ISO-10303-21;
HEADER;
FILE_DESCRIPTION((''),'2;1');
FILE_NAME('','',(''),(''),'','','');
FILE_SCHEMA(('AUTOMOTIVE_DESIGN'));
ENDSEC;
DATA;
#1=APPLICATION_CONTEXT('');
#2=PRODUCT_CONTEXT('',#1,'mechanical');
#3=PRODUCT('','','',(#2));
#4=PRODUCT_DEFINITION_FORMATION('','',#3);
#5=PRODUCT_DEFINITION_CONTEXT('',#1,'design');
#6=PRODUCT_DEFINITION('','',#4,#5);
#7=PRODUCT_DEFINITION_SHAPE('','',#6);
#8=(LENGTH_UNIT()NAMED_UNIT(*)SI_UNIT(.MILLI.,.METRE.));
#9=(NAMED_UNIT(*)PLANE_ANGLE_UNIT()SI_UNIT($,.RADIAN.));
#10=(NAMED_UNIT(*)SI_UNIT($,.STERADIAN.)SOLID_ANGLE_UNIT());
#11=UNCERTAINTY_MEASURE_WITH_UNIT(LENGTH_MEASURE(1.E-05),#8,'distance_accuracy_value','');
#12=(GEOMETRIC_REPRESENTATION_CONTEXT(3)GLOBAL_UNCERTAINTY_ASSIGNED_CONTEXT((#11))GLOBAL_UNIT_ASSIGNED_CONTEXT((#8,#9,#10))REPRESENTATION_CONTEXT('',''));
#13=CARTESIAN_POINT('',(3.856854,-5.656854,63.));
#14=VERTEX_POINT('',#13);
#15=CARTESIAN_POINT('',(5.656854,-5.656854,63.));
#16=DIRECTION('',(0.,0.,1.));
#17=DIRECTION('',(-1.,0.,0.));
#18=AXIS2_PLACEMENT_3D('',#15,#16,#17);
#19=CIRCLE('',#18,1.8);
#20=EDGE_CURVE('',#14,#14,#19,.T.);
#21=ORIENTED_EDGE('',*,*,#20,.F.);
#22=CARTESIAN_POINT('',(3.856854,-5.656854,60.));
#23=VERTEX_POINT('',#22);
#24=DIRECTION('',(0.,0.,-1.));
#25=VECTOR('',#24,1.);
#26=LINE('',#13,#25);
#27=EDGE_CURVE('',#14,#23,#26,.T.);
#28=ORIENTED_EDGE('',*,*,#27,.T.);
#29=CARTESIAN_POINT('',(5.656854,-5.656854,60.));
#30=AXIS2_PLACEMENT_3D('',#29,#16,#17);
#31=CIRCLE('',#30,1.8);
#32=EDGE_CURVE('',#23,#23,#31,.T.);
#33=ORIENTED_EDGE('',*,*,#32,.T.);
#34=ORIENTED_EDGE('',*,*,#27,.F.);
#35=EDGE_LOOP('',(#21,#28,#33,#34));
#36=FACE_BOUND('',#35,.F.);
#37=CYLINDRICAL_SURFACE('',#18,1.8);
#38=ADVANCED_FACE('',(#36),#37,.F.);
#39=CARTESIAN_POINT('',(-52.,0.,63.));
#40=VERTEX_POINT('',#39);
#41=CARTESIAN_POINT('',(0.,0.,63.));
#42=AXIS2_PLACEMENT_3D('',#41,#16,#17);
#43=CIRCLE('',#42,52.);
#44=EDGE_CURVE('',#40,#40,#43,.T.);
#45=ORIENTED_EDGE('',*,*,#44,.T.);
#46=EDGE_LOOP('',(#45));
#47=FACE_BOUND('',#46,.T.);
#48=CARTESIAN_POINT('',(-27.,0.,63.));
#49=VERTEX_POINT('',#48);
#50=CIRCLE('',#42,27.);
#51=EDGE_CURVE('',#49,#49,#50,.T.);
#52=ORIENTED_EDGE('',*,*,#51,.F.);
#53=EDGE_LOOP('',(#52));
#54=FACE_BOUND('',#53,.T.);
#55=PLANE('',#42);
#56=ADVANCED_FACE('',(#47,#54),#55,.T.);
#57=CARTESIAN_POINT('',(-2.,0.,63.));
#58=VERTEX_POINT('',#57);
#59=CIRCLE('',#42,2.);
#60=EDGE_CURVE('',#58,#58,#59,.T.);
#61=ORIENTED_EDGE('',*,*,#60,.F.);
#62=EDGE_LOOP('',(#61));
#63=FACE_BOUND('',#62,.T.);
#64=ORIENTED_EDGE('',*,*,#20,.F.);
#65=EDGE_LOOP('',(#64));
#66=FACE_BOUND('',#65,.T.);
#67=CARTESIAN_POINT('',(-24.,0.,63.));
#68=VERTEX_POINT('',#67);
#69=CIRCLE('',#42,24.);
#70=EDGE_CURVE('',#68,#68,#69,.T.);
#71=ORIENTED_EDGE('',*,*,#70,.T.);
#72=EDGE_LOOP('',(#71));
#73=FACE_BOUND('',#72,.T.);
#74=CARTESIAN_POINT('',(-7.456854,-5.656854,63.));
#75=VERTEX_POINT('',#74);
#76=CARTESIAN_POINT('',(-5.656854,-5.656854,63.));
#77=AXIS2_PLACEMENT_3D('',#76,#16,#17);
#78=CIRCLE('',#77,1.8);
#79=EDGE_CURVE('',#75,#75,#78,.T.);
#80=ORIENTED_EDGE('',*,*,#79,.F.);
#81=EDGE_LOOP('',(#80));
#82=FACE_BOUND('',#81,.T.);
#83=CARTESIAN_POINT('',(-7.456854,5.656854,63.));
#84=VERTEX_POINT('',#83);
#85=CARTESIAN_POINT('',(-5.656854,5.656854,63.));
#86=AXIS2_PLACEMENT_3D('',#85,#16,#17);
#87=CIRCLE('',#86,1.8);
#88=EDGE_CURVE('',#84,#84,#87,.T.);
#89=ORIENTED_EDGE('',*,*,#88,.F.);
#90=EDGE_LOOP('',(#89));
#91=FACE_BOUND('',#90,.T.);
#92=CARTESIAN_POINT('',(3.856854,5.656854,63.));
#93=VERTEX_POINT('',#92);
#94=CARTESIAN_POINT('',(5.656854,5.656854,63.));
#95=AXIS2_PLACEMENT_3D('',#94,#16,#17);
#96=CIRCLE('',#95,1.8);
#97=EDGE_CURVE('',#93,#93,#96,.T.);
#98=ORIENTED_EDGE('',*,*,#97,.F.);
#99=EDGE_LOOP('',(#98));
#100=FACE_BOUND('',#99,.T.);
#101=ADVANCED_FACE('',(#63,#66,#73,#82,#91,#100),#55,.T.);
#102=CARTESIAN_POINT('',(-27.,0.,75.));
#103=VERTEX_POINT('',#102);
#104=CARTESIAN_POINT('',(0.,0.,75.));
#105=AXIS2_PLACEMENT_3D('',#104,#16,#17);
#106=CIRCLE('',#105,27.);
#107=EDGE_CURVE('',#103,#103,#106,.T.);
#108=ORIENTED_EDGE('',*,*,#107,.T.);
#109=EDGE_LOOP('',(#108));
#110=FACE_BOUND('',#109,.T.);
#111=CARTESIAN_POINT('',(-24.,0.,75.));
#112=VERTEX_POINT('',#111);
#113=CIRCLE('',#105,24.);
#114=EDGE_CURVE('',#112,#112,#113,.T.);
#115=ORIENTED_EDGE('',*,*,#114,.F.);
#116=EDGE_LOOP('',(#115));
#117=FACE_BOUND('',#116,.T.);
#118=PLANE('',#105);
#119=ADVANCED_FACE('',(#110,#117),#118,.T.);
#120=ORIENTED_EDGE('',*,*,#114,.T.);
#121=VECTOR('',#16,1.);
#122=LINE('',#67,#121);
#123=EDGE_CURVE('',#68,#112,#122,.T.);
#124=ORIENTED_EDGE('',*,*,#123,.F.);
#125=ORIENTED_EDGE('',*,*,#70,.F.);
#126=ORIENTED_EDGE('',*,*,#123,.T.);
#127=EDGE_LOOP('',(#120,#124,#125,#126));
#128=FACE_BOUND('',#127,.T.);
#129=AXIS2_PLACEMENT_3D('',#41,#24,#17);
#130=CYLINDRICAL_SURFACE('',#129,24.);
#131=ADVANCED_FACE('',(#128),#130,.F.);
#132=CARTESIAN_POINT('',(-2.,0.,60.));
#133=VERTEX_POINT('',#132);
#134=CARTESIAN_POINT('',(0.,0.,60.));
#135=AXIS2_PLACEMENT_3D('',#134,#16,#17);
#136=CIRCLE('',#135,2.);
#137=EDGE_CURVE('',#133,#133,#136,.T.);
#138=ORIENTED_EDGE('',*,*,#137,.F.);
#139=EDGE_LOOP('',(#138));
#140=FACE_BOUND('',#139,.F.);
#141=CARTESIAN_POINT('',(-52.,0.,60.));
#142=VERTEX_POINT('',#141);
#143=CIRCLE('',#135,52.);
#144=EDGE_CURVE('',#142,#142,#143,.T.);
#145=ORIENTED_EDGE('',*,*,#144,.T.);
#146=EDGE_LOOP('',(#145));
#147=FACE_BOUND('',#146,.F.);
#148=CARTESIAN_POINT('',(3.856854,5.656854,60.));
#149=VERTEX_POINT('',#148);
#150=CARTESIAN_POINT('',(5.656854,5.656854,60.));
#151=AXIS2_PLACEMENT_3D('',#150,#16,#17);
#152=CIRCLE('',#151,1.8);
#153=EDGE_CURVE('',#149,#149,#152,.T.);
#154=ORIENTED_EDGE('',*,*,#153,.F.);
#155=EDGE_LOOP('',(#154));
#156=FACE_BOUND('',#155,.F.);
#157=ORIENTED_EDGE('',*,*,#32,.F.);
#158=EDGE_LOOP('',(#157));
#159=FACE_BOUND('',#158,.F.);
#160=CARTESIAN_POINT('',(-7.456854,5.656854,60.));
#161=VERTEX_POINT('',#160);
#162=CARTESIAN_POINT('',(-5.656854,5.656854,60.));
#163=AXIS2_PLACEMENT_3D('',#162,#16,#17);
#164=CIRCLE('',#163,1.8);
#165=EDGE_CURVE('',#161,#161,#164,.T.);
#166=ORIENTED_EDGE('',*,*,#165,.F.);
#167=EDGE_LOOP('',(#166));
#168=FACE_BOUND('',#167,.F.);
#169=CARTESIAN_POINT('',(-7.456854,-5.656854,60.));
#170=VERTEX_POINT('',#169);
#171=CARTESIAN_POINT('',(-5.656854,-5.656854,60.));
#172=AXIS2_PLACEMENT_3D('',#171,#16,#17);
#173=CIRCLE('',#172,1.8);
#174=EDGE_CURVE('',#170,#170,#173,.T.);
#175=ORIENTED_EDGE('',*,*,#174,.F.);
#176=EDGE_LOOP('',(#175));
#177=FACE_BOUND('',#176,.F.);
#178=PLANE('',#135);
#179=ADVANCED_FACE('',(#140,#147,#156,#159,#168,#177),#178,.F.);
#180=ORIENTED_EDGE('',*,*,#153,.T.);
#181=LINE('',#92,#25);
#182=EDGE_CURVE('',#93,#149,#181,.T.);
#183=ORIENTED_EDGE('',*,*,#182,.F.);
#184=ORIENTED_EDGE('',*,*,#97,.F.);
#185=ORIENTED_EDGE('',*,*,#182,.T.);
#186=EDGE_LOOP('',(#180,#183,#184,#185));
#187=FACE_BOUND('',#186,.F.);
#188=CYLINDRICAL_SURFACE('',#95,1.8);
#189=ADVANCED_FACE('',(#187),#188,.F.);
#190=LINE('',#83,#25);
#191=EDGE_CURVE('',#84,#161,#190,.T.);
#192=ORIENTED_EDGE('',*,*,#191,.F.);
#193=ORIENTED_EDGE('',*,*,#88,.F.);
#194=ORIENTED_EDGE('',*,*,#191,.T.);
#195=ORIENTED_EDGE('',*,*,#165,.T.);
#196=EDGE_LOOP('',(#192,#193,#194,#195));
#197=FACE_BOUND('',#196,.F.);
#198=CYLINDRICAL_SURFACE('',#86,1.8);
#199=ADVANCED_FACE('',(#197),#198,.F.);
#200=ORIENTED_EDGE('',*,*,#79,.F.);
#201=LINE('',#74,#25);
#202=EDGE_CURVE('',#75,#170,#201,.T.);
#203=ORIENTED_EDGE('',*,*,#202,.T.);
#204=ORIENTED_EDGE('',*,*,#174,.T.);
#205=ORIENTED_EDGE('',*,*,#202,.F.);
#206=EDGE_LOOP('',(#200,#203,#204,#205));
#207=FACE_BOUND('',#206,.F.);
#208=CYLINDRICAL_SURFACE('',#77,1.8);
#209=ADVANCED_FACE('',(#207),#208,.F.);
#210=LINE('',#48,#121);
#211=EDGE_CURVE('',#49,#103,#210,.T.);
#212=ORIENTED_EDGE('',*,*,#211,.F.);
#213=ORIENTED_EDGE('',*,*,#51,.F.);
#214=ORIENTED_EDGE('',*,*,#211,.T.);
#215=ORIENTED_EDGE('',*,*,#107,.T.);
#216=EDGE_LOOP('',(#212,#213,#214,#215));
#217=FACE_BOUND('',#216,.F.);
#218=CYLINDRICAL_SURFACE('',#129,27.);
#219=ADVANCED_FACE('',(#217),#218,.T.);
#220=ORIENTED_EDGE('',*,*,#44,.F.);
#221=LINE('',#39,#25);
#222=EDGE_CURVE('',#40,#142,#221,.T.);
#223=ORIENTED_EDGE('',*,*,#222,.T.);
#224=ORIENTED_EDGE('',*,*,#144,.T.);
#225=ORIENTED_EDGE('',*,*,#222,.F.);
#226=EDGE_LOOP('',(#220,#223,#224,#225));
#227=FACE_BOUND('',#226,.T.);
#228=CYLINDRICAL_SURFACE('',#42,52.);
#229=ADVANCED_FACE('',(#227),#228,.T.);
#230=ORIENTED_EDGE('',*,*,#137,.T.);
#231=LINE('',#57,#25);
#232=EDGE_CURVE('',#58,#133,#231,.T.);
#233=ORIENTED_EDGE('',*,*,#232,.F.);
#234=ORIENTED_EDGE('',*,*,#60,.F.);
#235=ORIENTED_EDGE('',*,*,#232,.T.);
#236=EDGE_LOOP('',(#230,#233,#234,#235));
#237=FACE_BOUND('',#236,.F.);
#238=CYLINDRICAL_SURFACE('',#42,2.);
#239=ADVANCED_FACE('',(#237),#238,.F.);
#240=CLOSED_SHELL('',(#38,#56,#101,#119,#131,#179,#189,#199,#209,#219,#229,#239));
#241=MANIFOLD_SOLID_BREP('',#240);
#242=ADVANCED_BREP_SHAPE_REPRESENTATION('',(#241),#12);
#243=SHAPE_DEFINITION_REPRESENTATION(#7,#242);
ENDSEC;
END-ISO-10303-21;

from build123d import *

# Parameters (mm, degrees)
SKETCH001_R          = 52
SKETCH001_R_2        = 2
PAD001_DEPTH         = 3
SKETCH_R             = 27
SKETCH_R_2           = 24
PAD_DEPTH            = 12
SKETCH002_R          = 1.8
POCKET_DEPTH         = 5
BODY_PLACEMENT_ANGLE = 180


with BuildPart() as part:
    # Sketch001 → Pad001 (new body)
    with BuildSketch(Plane.XY):
        Circle(SKETCH001_R)
        Circle(SKETCH001_R_2, mode=Mode.SUBTRACT)
    extrude(amount=-PAD001_DEPTH)

    # Sketch → Pad (join)
    with BuildSketch(Plane.XY):
        Circle(SKETCH_R)
        Circle(SKETCH_R_2, mode=Mode.SUBTRACT)
    extrude(amount=PAD_DEPTH)

    # Sketch002 → Pocket (cut)
    with BuildSketch(Plane.XY):
        with Locations((5.656854, 5.656854)):
            Circle(SKETCH002_R)
        with Locations((-5.656854, 5.656854)):
            Circle(SKETCH002_R)
        with Locations((-5.656854, -5.656854)):
            Circle(SKETCH002_R)
        with Locations((5.656854, -5.656854)):
            Circle(SKETCH002_R)
    extrude(amount=-POCKET_DEPTH, mode=Mode.SUBTRACT)


with BuildPart() as part_1:
    # Body placement: moved
    add(part.part.moved(Location((0, 0, 63))).rotate(Axis((0, 0, 63), (0, 0, -1)), BODY_PLACEMENT_ANGLE))


solid = part_1.part
